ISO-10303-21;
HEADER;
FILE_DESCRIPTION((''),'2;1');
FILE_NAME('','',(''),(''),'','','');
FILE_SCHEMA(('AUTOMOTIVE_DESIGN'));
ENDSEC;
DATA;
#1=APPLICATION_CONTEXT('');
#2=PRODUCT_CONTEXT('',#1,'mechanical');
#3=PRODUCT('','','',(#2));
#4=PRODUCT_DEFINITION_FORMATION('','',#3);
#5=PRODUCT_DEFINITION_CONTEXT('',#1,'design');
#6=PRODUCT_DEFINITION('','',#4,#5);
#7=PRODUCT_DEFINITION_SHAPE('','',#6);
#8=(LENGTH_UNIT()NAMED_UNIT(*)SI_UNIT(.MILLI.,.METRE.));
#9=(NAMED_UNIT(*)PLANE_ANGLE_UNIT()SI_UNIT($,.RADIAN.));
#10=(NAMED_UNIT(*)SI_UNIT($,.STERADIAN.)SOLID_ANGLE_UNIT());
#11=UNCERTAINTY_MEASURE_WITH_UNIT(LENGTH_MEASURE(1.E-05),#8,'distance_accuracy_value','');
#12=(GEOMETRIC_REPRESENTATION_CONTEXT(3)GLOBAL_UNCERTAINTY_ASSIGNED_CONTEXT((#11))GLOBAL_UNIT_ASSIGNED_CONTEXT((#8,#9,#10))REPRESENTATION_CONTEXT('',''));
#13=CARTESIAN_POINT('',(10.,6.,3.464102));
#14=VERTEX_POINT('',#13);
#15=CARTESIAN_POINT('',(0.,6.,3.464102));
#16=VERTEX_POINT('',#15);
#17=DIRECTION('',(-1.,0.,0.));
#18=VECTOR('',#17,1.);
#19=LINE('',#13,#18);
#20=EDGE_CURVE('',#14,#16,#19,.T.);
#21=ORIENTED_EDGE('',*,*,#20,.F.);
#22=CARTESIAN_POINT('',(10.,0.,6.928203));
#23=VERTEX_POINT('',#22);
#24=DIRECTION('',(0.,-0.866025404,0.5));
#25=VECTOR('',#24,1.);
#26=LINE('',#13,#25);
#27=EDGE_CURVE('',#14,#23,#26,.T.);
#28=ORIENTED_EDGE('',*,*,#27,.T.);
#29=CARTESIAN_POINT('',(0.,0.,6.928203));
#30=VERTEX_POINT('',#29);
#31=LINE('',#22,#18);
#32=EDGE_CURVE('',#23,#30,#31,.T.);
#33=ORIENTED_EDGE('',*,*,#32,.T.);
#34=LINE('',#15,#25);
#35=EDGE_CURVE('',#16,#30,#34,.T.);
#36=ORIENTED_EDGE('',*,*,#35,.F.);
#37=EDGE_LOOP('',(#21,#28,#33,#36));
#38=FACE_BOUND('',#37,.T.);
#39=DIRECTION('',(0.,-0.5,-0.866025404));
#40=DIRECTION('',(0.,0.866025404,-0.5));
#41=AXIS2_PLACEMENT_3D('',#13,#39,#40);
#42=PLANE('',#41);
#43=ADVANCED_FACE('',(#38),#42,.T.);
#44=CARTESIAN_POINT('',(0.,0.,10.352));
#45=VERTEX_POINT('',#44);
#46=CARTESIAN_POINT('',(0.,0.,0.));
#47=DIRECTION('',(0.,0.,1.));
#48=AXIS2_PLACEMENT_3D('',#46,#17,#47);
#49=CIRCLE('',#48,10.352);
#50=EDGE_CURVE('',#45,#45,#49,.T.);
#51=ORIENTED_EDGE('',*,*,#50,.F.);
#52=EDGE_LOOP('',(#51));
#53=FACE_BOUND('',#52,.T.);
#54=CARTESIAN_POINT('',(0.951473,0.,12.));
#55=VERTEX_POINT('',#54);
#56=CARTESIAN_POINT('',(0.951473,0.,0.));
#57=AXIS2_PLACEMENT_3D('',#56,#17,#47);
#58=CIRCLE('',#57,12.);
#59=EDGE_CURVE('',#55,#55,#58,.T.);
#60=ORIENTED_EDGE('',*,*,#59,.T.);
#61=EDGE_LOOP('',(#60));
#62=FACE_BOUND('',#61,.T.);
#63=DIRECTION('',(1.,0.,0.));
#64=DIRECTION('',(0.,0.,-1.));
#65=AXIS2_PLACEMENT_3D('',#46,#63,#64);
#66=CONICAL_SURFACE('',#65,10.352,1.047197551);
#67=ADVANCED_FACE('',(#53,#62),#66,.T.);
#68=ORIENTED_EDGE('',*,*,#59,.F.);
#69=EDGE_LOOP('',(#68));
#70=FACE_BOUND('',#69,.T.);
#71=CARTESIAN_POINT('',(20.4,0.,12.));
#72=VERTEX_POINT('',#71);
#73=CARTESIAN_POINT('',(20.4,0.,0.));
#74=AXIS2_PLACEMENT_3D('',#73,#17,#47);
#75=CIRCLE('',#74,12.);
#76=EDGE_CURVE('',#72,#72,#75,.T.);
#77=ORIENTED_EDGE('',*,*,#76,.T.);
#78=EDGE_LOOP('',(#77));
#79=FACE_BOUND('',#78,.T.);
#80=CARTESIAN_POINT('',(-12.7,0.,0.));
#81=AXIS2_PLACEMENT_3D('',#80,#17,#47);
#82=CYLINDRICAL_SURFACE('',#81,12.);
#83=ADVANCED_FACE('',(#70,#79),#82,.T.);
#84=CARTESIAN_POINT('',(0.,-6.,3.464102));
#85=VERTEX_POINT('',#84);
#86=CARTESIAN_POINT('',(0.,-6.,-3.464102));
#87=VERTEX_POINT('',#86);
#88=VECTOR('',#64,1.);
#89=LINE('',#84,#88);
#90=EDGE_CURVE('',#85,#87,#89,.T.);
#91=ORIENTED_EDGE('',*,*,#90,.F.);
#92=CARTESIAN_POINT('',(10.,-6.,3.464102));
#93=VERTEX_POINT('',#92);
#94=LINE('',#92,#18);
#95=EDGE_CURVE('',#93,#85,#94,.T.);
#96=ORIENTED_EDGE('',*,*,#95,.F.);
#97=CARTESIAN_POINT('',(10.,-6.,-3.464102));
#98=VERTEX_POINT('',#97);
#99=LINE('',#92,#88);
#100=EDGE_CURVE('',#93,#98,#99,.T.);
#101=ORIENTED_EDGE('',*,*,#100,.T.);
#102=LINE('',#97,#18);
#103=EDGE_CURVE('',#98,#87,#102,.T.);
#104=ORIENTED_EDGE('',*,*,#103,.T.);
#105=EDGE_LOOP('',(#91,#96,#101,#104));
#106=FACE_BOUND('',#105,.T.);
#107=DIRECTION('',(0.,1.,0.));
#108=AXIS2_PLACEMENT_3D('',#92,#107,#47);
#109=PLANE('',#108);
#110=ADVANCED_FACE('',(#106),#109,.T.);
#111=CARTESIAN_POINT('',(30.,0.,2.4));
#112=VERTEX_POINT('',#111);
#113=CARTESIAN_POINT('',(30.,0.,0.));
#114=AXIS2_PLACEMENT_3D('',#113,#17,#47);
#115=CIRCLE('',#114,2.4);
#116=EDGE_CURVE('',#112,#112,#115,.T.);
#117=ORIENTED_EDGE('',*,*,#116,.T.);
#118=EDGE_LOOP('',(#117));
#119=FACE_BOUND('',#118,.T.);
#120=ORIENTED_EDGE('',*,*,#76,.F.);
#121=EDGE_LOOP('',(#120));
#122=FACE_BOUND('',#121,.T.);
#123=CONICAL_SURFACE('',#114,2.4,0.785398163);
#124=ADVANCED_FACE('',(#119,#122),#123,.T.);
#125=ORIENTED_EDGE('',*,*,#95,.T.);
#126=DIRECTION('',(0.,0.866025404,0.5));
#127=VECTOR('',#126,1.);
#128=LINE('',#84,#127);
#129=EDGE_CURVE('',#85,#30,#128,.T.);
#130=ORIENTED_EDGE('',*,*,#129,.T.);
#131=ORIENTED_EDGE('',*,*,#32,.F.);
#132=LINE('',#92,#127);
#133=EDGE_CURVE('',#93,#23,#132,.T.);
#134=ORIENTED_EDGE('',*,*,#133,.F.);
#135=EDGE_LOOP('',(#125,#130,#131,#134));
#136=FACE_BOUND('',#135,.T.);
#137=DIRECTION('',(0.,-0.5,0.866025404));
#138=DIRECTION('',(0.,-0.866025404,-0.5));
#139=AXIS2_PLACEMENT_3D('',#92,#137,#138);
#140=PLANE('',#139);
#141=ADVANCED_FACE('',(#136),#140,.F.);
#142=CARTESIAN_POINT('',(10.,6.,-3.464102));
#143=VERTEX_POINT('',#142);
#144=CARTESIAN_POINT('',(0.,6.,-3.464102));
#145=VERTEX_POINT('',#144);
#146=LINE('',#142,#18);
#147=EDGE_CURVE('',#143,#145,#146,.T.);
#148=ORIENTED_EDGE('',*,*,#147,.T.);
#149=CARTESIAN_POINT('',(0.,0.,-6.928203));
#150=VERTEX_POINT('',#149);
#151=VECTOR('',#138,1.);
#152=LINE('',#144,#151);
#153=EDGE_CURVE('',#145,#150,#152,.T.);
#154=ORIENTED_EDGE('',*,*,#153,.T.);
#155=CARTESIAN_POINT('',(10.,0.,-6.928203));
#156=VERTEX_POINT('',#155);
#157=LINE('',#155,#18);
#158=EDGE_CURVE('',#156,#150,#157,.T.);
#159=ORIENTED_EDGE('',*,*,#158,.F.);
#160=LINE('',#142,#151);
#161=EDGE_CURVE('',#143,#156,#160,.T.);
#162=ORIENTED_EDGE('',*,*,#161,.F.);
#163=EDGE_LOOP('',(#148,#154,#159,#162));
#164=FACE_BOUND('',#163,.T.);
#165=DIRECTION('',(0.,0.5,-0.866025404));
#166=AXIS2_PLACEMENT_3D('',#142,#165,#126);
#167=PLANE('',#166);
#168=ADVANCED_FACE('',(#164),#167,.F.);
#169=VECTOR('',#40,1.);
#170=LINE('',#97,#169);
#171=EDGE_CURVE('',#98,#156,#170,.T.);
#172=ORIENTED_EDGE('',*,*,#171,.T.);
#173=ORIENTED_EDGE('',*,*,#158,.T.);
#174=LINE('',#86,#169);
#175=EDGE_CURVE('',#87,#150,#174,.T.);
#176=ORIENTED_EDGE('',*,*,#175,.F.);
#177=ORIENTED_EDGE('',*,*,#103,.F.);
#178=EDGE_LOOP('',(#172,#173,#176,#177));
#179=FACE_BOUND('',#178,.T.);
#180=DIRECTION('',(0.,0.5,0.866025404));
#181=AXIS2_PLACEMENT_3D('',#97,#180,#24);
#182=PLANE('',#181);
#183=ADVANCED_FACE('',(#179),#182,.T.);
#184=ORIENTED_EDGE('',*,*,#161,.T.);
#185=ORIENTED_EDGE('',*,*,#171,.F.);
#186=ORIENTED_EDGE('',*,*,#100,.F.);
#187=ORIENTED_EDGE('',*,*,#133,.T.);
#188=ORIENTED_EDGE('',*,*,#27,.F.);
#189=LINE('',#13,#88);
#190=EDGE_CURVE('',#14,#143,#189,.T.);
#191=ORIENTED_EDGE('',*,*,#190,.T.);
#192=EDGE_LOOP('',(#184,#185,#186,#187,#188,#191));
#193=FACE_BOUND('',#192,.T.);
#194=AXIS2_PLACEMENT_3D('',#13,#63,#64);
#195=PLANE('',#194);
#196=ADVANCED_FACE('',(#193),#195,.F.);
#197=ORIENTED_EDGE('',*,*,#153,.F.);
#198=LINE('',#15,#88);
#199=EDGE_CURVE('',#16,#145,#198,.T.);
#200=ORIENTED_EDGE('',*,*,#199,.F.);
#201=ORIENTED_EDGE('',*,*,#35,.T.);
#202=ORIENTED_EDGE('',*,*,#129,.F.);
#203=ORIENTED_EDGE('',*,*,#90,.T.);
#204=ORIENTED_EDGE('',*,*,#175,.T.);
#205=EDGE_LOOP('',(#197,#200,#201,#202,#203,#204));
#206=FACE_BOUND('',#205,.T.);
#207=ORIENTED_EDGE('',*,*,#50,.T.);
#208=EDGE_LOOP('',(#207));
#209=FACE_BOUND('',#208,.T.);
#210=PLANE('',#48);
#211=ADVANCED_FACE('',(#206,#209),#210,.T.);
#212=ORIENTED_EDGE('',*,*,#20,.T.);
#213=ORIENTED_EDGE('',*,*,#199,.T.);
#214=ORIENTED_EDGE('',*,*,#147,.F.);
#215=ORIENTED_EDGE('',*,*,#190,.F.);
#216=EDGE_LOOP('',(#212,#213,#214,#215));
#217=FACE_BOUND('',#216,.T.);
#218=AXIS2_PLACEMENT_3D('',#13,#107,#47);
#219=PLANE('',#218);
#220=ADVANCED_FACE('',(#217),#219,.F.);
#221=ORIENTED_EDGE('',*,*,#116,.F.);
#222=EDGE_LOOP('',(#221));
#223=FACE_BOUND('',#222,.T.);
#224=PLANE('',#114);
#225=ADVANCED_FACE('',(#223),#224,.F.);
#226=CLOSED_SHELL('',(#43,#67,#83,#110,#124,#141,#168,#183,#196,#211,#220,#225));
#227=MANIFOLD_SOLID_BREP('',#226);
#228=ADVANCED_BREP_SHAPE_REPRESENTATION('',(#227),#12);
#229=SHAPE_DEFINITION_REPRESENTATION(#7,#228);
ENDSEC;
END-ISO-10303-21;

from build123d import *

# Parameters (mm, degrees)
HEX_2_DEPTH = 10


with BuildPart() as part:
    # BodySke → BaseBody (revolve)
    with BuildSketch(Plane.XY):
        Polygon((0, 0), (0, 10.352), (0.951473244, 12), (20.4, 12), (30, 2.4), (30, 0), align=None)
    revolve(axis=Axis((-12.7, 0, 0), (1, 0, 0)))

    # Sketch2 → Hex 2 (cut)
    with BuildSketch(Plane.ZY):
        Polygon((3.464101615, 6), (-3.464101615, 6), (-6.92820323, 0), (-3.464101615, -6), (3.464101615, -6), (6.92820323, 0), align=None)
    extrude(amount=-HEX_2_DEPTH, mode=Mode.SUBTRACT)


solid = part.part
